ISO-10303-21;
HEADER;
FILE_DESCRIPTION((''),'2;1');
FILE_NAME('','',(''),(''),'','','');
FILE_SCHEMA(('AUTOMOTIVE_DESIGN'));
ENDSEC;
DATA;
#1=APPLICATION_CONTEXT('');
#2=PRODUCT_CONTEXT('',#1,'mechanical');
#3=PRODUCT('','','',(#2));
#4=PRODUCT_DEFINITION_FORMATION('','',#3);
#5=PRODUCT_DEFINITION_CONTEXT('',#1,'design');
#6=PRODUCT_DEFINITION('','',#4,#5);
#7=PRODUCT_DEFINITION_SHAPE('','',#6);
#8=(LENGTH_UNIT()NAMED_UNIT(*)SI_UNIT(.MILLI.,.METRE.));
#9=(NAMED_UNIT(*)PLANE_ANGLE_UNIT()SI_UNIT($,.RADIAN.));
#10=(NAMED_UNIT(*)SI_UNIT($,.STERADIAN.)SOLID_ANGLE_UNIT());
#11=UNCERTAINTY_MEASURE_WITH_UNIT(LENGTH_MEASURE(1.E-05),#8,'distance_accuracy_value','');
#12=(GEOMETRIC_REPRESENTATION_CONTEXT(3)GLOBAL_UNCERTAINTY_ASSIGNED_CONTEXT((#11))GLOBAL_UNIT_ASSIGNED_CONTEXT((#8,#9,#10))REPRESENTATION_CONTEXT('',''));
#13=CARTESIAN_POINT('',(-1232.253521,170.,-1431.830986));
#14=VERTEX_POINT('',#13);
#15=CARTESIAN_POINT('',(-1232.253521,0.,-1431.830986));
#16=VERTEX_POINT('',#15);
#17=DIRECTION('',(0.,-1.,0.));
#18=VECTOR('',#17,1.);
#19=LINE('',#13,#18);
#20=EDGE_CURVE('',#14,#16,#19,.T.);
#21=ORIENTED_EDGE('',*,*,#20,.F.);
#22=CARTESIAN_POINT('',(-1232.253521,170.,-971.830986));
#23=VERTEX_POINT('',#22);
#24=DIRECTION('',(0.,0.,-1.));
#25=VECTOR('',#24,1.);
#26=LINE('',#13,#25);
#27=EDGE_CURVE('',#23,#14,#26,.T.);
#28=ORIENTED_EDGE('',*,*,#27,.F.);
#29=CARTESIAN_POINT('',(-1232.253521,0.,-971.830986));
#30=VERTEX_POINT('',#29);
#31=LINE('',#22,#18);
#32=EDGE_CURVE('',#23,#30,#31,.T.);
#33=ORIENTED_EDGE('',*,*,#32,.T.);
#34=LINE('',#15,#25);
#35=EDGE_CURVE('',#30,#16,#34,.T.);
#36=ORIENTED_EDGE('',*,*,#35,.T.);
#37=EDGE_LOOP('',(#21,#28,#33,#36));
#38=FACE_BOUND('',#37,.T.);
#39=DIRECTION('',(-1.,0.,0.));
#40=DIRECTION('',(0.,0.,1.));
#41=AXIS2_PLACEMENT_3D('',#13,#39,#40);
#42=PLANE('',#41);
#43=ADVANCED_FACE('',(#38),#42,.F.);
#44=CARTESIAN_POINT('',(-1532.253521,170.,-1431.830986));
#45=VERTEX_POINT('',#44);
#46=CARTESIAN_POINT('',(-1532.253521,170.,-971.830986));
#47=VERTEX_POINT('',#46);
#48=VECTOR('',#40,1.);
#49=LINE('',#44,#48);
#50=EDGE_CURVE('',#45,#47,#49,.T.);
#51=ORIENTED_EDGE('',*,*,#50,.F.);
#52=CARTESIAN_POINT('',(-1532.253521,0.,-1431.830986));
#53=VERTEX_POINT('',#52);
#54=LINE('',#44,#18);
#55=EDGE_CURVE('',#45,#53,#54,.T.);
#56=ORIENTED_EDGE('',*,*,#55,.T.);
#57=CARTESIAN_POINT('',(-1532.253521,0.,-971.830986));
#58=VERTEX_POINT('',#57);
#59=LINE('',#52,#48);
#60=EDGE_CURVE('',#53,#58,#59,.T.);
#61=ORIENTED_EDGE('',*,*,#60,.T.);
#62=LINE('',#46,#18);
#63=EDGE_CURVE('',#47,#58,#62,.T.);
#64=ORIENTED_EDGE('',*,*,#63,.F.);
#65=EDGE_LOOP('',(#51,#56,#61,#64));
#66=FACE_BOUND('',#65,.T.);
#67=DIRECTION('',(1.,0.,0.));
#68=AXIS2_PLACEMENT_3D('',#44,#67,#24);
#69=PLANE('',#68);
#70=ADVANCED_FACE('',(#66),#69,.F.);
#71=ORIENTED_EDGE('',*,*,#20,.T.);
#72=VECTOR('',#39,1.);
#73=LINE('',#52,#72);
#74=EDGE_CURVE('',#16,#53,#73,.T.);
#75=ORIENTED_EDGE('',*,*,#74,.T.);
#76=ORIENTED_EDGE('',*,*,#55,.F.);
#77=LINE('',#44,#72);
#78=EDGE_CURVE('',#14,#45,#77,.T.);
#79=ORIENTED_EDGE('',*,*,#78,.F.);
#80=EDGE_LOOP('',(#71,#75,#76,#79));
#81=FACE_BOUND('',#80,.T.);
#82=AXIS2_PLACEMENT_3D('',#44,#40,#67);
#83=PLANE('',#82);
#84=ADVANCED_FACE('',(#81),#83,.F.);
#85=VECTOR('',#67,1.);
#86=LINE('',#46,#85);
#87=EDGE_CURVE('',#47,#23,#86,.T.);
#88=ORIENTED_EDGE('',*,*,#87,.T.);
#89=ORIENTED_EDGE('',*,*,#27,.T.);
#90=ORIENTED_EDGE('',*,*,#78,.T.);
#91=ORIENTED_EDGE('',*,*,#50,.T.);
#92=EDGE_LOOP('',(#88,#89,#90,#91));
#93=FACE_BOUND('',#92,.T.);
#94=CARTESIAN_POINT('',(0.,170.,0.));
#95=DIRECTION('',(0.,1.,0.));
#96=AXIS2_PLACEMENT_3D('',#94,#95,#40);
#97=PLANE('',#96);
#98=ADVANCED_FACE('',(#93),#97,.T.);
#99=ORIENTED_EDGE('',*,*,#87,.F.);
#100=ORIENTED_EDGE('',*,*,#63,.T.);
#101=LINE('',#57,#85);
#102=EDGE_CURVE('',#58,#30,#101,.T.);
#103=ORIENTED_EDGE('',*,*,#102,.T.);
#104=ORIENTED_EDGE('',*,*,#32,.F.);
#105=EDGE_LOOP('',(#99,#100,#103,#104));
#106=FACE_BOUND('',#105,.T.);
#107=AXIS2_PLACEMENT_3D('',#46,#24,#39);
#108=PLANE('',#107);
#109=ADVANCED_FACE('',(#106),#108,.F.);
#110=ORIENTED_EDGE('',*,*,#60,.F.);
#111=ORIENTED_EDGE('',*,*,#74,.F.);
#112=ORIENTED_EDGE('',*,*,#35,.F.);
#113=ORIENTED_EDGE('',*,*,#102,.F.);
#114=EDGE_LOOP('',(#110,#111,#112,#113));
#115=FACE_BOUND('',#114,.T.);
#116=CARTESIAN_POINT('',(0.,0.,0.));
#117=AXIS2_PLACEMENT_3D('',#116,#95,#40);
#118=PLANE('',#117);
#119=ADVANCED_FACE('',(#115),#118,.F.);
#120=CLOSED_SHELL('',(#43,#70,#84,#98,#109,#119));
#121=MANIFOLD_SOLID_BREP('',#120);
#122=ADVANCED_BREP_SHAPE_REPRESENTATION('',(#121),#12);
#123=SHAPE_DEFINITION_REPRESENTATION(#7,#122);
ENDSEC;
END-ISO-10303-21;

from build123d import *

# Parameters (mm, degrees)
SKETCH1_W         = 300
SKETCH1_H         = 460
ACCUMULATOR_DEPTH = 170


with BuildPart() as part:
    # Sketch1 → Accumulator (new body)
    with BuildSketch(Plane(origin=(0, 0, 0), x_dir=(1, 0, 0), z_dir=(0, 1, 0))):
        with Locations((-1382.253521127, 1201.830985915)):
            Rectangle(SKETCH1_W, SKETCH1_H)
    extrude(amount=ACCUMULATOR_DEPTH)


solid = part.part
